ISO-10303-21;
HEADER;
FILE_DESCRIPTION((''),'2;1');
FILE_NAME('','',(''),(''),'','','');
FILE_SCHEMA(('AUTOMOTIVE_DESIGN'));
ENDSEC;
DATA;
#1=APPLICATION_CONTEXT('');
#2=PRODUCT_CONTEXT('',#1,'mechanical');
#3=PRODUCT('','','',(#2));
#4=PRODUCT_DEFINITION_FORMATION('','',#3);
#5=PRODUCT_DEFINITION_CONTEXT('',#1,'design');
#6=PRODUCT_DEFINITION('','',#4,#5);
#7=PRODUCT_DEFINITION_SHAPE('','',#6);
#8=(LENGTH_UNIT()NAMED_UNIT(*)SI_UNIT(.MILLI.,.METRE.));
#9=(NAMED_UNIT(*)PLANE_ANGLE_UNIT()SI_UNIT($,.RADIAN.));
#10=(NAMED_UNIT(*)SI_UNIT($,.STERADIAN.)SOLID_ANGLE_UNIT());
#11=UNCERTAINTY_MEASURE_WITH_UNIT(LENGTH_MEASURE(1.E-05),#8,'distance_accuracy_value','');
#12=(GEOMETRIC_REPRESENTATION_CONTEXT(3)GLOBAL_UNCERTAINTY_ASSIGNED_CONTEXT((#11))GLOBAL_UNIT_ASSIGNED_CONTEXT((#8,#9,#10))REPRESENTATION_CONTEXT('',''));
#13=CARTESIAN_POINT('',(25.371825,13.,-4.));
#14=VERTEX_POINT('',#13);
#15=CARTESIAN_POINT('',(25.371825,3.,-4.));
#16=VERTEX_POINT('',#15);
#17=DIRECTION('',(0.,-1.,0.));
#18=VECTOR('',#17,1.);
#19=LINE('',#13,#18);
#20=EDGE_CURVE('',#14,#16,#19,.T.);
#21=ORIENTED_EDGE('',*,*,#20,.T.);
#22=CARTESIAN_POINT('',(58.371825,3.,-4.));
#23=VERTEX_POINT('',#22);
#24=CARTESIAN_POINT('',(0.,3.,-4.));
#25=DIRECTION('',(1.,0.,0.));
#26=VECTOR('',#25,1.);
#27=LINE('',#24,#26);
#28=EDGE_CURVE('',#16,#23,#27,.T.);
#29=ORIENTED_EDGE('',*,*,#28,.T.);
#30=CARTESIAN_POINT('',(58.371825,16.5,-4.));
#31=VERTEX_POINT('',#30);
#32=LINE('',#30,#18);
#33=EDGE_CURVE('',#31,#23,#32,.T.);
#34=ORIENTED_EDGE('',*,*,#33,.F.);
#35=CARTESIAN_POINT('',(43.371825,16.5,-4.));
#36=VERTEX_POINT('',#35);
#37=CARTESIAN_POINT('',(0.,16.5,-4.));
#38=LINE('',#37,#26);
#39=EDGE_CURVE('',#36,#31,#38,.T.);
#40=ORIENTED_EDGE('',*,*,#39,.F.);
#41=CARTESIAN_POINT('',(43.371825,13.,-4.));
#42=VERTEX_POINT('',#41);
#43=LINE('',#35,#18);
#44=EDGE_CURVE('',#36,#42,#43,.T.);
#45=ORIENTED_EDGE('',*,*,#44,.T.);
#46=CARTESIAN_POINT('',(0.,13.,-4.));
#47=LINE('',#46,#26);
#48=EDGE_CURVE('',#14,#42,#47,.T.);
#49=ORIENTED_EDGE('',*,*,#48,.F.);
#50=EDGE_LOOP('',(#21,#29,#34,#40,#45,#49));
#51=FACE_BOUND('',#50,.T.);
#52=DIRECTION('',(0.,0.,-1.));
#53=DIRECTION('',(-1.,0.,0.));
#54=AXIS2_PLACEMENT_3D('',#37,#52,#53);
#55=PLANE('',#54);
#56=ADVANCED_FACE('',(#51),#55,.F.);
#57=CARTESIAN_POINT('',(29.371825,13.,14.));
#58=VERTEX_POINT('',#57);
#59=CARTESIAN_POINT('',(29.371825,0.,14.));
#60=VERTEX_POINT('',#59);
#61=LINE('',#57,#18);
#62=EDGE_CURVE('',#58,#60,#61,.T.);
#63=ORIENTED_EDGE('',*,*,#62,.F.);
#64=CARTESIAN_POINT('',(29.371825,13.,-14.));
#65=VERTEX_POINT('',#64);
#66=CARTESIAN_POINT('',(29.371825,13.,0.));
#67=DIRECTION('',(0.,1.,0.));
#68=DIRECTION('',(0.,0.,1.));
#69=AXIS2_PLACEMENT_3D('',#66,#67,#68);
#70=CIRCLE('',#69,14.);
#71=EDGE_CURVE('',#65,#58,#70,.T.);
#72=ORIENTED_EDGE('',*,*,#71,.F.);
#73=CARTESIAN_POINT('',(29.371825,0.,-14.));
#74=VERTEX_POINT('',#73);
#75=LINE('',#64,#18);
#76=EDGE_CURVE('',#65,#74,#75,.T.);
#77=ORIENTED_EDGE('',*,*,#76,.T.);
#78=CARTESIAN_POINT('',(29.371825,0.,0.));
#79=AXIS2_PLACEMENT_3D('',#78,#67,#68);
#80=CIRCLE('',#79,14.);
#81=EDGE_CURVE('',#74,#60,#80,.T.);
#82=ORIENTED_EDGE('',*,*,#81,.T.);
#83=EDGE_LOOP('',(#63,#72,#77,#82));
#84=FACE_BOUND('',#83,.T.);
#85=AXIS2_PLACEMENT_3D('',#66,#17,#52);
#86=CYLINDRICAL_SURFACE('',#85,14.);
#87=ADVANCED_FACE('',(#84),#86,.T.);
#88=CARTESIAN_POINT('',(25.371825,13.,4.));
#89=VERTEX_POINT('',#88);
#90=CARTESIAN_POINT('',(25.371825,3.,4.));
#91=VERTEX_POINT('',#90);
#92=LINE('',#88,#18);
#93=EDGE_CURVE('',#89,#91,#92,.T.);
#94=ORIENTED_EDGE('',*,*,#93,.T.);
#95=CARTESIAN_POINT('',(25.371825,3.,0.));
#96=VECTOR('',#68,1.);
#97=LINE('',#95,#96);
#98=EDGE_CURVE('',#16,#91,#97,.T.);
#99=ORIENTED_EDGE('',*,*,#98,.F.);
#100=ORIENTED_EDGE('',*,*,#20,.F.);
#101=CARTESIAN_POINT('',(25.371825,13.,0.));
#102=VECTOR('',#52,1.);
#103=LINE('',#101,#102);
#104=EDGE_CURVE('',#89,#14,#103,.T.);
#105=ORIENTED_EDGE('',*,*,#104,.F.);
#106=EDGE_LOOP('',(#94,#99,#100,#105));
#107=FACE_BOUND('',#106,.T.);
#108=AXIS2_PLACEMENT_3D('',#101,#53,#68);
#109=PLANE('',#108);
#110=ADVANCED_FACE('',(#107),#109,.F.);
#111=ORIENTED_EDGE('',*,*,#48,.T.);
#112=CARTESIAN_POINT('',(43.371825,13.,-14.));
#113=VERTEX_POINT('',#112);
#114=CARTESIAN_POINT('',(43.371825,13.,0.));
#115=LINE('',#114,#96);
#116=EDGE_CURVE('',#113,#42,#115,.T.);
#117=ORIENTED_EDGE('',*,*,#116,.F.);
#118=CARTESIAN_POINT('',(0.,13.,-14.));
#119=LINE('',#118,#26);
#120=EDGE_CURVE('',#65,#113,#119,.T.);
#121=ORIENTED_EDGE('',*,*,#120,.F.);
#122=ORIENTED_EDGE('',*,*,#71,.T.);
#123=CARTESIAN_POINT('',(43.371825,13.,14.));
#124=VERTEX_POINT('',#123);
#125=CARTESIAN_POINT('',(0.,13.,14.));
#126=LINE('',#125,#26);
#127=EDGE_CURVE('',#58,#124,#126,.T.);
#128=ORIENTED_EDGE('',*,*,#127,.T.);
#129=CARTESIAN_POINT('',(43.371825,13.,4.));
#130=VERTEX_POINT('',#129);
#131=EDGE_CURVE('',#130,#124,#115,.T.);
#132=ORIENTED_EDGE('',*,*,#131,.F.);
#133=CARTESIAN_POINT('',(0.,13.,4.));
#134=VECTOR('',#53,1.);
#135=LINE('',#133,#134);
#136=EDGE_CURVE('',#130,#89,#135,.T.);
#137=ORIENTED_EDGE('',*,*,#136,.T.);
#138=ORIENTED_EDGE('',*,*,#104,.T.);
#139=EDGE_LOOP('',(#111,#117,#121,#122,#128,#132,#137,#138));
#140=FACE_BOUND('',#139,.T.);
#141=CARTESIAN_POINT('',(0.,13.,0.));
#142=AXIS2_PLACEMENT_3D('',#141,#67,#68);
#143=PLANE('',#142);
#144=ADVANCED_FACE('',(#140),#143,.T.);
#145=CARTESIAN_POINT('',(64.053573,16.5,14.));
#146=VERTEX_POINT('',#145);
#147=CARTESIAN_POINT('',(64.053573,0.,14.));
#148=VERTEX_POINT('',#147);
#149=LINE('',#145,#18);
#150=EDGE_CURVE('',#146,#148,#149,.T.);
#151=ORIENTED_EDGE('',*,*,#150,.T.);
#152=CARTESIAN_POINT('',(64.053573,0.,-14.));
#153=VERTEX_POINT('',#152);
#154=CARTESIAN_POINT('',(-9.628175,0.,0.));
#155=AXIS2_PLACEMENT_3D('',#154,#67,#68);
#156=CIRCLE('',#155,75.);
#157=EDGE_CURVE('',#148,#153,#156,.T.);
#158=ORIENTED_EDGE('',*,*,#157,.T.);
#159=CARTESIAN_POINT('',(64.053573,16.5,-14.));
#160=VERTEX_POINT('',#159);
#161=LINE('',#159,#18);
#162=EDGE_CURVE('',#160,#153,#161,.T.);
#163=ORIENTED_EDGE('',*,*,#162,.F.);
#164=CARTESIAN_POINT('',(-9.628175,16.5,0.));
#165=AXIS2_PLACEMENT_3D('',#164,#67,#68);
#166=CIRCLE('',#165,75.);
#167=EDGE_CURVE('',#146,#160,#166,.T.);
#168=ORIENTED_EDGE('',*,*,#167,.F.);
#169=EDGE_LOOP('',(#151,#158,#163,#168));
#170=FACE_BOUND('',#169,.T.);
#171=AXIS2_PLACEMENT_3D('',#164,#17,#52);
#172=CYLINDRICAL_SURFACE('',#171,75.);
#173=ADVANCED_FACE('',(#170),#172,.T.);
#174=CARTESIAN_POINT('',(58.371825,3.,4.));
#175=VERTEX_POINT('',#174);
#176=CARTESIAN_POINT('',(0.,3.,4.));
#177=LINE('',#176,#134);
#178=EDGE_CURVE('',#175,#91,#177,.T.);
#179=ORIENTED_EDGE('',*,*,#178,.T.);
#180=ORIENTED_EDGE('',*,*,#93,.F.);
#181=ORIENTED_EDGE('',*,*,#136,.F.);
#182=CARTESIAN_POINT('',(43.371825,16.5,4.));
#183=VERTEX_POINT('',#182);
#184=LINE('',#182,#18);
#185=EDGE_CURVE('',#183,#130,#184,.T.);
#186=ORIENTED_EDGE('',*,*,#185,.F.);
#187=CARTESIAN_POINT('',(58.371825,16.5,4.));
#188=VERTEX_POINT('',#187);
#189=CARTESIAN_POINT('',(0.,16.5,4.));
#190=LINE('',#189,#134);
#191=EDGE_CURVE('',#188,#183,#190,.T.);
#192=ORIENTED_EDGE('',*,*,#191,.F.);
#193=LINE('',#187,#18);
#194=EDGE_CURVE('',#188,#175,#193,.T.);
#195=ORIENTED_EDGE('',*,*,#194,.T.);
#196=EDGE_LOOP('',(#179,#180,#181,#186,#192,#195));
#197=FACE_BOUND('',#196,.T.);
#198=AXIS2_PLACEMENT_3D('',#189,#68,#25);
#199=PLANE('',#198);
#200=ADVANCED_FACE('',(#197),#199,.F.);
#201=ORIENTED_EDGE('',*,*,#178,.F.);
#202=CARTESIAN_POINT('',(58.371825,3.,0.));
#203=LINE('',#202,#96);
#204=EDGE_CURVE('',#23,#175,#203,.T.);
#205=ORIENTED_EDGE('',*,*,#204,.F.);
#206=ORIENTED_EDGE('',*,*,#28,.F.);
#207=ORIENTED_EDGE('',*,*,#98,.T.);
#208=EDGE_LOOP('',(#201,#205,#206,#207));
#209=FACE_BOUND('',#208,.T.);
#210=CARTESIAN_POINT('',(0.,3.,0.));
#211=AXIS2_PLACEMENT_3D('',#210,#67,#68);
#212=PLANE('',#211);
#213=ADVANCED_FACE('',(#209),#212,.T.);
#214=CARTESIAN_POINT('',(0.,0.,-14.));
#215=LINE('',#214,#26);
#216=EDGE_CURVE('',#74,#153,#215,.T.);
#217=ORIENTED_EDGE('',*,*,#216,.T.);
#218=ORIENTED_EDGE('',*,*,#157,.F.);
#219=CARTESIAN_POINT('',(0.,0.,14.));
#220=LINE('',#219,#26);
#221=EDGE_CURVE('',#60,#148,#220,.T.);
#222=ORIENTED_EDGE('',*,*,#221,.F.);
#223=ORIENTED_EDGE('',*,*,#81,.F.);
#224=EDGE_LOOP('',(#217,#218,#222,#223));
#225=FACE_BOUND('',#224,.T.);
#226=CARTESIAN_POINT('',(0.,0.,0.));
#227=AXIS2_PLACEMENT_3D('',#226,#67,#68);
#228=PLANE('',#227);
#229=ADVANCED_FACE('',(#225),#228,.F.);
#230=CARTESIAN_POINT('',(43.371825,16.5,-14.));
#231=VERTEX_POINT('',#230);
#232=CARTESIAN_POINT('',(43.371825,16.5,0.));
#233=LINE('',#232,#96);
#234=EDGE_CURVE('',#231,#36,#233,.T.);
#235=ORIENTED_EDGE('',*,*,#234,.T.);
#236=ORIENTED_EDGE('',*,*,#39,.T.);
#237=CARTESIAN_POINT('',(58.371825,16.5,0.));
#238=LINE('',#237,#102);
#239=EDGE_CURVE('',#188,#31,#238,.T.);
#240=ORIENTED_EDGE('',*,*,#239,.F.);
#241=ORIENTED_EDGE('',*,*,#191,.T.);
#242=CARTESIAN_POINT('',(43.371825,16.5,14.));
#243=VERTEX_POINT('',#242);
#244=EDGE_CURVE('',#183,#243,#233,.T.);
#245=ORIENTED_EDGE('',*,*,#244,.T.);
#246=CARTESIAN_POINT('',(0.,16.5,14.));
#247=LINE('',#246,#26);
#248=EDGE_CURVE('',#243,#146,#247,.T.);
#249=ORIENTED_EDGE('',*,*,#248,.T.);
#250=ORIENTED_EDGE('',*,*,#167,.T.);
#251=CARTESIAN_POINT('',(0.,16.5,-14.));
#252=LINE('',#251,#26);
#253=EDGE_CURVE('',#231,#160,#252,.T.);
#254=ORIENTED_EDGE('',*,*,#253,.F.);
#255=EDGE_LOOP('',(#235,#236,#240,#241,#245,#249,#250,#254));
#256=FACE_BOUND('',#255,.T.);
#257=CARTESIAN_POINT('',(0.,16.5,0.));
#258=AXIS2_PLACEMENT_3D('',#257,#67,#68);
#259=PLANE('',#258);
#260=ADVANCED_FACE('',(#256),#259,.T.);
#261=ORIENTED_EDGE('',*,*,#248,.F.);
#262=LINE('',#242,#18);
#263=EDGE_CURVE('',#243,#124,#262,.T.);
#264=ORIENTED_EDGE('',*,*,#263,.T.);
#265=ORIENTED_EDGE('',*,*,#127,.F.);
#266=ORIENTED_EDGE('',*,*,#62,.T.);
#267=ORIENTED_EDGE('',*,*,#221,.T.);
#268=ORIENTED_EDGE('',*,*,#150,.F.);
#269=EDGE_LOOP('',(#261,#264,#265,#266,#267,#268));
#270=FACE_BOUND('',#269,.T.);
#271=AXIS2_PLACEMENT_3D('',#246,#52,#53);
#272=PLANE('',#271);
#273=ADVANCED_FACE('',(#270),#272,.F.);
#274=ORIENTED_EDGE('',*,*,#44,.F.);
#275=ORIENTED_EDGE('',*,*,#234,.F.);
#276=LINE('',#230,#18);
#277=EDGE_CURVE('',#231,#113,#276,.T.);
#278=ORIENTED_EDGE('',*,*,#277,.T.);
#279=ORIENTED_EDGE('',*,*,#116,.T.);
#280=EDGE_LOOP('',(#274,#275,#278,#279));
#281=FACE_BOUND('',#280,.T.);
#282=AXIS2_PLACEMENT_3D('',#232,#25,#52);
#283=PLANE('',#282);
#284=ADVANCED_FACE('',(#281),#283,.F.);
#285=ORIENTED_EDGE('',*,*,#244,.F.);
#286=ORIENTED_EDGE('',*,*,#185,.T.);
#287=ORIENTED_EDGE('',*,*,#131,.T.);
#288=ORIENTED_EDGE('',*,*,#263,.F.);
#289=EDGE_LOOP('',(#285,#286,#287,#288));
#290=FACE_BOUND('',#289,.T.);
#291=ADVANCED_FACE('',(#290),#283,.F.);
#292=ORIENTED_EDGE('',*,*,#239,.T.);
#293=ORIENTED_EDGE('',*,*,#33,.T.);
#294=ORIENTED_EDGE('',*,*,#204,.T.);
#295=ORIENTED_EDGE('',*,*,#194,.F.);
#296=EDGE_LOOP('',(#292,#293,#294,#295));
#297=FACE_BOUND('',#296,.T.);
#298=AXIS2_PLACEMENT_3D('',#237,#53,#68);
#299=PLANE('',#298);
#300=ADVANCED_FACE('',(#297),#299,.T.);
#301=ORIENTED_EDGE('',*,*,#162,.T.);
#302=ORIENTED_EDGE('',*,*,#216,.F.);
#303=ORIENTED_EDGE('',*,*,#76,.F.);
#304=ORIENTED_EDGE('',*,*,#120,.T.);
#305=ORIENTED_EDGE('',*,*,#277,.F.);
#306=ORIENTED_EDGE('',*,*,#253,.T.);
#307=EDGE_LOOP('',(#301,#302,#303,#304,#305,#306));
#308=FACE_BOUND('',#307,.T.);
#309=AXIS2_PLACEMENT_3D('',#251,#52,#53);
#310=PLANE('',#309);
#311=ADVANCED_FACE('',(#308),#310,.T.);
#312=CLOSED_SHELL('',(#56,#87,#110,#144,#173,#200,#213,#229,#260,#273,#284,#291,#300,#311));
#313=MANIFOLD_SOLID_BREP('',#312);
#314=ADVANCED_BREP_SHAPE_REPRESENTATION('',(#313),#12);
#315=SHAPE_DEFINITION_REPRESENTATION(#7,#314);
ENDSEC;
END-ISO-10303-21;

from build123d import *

# Parameters (mm, degrees)
SKETCH1_W           = 33
SKETCH1_H           = 8
BOSS_EXTRUDE1_DEPTH = 3
BOSS_EXTRUDE2_DEPTH = 16.5
BOSS_EXTRUDE3_DEPTH = 13


with BuildPart() as part:
    # Sketch1 → Boss-Extrude1 (new body)
    with BuildSketch(Plane(origin=(0, 0, 0), x_dir=(1, 0, 0), z_dir=(0, 1, 0))):
        with Locations((41.871824735, 0)):
            Rectangle(SKETCH1_W, SKETCH1_H)
    extrude(amount=BOSS_EXTRUDE1_DEPTH)

    # Sketch1<6> → Boss-Extrude2 (add)
    with BuildSketch(Plane(origin=(0, 0, 0), x_dir=(1, 0, 0), z_dir=(0, 1, 0))):
        with BuildLine():
            Line((58.371824735, 4), (58.371824735, -4))
            Line((58.371824735, -4), (43.371824735, -4))
            Line((43.371824735, -4), (43.371824735, -14))
            Line((43.371824735, -14), (64.053572815, -14))
            ThreePointArc((64.053572815, -14), (65.371824735, 0), (64.053572815, 14))
            Line((64.053572815, 14), (43.371824735, 14))
            Line((43.371824735, 14), (43.371824735, 4))
            Line((43.371824735, 4), (58.371824735, 4))
        make_face()
    extrude(amount=BOSS_EXTRUDE2_DEPTH)

    # Sketch1<7> → Boss-Extrude3 (add)
    with BuildSketch(Plane(origin=(0, 0, 0), x_dir=(1, 0, 0), z_dir=(0, 1, 0))):
        with BuildLine():
            Line((25.371824735, -4), (25.371824735, 4))
            Line((25.371824735, 4), (43.371824735, 4))
            Line((43.371824735, 4), (43.371824735, 14))
            Line((43.371824735, 14), (29.371824735, 14))
            ThreePointArc((29.371824735, 14), (15.371824735, 0), (29.371824735, -14))
            Line((29.371824735, -14), (43.371824735, -14))
            Line((43.371824735, -14), (43.371824735, -4))
            Line((43.371824735, -4), (25.371824735, -4))
        make_face()
    extrude(amount=BOSS_EXTRUDE3_DEPTH)


solid = part.part
